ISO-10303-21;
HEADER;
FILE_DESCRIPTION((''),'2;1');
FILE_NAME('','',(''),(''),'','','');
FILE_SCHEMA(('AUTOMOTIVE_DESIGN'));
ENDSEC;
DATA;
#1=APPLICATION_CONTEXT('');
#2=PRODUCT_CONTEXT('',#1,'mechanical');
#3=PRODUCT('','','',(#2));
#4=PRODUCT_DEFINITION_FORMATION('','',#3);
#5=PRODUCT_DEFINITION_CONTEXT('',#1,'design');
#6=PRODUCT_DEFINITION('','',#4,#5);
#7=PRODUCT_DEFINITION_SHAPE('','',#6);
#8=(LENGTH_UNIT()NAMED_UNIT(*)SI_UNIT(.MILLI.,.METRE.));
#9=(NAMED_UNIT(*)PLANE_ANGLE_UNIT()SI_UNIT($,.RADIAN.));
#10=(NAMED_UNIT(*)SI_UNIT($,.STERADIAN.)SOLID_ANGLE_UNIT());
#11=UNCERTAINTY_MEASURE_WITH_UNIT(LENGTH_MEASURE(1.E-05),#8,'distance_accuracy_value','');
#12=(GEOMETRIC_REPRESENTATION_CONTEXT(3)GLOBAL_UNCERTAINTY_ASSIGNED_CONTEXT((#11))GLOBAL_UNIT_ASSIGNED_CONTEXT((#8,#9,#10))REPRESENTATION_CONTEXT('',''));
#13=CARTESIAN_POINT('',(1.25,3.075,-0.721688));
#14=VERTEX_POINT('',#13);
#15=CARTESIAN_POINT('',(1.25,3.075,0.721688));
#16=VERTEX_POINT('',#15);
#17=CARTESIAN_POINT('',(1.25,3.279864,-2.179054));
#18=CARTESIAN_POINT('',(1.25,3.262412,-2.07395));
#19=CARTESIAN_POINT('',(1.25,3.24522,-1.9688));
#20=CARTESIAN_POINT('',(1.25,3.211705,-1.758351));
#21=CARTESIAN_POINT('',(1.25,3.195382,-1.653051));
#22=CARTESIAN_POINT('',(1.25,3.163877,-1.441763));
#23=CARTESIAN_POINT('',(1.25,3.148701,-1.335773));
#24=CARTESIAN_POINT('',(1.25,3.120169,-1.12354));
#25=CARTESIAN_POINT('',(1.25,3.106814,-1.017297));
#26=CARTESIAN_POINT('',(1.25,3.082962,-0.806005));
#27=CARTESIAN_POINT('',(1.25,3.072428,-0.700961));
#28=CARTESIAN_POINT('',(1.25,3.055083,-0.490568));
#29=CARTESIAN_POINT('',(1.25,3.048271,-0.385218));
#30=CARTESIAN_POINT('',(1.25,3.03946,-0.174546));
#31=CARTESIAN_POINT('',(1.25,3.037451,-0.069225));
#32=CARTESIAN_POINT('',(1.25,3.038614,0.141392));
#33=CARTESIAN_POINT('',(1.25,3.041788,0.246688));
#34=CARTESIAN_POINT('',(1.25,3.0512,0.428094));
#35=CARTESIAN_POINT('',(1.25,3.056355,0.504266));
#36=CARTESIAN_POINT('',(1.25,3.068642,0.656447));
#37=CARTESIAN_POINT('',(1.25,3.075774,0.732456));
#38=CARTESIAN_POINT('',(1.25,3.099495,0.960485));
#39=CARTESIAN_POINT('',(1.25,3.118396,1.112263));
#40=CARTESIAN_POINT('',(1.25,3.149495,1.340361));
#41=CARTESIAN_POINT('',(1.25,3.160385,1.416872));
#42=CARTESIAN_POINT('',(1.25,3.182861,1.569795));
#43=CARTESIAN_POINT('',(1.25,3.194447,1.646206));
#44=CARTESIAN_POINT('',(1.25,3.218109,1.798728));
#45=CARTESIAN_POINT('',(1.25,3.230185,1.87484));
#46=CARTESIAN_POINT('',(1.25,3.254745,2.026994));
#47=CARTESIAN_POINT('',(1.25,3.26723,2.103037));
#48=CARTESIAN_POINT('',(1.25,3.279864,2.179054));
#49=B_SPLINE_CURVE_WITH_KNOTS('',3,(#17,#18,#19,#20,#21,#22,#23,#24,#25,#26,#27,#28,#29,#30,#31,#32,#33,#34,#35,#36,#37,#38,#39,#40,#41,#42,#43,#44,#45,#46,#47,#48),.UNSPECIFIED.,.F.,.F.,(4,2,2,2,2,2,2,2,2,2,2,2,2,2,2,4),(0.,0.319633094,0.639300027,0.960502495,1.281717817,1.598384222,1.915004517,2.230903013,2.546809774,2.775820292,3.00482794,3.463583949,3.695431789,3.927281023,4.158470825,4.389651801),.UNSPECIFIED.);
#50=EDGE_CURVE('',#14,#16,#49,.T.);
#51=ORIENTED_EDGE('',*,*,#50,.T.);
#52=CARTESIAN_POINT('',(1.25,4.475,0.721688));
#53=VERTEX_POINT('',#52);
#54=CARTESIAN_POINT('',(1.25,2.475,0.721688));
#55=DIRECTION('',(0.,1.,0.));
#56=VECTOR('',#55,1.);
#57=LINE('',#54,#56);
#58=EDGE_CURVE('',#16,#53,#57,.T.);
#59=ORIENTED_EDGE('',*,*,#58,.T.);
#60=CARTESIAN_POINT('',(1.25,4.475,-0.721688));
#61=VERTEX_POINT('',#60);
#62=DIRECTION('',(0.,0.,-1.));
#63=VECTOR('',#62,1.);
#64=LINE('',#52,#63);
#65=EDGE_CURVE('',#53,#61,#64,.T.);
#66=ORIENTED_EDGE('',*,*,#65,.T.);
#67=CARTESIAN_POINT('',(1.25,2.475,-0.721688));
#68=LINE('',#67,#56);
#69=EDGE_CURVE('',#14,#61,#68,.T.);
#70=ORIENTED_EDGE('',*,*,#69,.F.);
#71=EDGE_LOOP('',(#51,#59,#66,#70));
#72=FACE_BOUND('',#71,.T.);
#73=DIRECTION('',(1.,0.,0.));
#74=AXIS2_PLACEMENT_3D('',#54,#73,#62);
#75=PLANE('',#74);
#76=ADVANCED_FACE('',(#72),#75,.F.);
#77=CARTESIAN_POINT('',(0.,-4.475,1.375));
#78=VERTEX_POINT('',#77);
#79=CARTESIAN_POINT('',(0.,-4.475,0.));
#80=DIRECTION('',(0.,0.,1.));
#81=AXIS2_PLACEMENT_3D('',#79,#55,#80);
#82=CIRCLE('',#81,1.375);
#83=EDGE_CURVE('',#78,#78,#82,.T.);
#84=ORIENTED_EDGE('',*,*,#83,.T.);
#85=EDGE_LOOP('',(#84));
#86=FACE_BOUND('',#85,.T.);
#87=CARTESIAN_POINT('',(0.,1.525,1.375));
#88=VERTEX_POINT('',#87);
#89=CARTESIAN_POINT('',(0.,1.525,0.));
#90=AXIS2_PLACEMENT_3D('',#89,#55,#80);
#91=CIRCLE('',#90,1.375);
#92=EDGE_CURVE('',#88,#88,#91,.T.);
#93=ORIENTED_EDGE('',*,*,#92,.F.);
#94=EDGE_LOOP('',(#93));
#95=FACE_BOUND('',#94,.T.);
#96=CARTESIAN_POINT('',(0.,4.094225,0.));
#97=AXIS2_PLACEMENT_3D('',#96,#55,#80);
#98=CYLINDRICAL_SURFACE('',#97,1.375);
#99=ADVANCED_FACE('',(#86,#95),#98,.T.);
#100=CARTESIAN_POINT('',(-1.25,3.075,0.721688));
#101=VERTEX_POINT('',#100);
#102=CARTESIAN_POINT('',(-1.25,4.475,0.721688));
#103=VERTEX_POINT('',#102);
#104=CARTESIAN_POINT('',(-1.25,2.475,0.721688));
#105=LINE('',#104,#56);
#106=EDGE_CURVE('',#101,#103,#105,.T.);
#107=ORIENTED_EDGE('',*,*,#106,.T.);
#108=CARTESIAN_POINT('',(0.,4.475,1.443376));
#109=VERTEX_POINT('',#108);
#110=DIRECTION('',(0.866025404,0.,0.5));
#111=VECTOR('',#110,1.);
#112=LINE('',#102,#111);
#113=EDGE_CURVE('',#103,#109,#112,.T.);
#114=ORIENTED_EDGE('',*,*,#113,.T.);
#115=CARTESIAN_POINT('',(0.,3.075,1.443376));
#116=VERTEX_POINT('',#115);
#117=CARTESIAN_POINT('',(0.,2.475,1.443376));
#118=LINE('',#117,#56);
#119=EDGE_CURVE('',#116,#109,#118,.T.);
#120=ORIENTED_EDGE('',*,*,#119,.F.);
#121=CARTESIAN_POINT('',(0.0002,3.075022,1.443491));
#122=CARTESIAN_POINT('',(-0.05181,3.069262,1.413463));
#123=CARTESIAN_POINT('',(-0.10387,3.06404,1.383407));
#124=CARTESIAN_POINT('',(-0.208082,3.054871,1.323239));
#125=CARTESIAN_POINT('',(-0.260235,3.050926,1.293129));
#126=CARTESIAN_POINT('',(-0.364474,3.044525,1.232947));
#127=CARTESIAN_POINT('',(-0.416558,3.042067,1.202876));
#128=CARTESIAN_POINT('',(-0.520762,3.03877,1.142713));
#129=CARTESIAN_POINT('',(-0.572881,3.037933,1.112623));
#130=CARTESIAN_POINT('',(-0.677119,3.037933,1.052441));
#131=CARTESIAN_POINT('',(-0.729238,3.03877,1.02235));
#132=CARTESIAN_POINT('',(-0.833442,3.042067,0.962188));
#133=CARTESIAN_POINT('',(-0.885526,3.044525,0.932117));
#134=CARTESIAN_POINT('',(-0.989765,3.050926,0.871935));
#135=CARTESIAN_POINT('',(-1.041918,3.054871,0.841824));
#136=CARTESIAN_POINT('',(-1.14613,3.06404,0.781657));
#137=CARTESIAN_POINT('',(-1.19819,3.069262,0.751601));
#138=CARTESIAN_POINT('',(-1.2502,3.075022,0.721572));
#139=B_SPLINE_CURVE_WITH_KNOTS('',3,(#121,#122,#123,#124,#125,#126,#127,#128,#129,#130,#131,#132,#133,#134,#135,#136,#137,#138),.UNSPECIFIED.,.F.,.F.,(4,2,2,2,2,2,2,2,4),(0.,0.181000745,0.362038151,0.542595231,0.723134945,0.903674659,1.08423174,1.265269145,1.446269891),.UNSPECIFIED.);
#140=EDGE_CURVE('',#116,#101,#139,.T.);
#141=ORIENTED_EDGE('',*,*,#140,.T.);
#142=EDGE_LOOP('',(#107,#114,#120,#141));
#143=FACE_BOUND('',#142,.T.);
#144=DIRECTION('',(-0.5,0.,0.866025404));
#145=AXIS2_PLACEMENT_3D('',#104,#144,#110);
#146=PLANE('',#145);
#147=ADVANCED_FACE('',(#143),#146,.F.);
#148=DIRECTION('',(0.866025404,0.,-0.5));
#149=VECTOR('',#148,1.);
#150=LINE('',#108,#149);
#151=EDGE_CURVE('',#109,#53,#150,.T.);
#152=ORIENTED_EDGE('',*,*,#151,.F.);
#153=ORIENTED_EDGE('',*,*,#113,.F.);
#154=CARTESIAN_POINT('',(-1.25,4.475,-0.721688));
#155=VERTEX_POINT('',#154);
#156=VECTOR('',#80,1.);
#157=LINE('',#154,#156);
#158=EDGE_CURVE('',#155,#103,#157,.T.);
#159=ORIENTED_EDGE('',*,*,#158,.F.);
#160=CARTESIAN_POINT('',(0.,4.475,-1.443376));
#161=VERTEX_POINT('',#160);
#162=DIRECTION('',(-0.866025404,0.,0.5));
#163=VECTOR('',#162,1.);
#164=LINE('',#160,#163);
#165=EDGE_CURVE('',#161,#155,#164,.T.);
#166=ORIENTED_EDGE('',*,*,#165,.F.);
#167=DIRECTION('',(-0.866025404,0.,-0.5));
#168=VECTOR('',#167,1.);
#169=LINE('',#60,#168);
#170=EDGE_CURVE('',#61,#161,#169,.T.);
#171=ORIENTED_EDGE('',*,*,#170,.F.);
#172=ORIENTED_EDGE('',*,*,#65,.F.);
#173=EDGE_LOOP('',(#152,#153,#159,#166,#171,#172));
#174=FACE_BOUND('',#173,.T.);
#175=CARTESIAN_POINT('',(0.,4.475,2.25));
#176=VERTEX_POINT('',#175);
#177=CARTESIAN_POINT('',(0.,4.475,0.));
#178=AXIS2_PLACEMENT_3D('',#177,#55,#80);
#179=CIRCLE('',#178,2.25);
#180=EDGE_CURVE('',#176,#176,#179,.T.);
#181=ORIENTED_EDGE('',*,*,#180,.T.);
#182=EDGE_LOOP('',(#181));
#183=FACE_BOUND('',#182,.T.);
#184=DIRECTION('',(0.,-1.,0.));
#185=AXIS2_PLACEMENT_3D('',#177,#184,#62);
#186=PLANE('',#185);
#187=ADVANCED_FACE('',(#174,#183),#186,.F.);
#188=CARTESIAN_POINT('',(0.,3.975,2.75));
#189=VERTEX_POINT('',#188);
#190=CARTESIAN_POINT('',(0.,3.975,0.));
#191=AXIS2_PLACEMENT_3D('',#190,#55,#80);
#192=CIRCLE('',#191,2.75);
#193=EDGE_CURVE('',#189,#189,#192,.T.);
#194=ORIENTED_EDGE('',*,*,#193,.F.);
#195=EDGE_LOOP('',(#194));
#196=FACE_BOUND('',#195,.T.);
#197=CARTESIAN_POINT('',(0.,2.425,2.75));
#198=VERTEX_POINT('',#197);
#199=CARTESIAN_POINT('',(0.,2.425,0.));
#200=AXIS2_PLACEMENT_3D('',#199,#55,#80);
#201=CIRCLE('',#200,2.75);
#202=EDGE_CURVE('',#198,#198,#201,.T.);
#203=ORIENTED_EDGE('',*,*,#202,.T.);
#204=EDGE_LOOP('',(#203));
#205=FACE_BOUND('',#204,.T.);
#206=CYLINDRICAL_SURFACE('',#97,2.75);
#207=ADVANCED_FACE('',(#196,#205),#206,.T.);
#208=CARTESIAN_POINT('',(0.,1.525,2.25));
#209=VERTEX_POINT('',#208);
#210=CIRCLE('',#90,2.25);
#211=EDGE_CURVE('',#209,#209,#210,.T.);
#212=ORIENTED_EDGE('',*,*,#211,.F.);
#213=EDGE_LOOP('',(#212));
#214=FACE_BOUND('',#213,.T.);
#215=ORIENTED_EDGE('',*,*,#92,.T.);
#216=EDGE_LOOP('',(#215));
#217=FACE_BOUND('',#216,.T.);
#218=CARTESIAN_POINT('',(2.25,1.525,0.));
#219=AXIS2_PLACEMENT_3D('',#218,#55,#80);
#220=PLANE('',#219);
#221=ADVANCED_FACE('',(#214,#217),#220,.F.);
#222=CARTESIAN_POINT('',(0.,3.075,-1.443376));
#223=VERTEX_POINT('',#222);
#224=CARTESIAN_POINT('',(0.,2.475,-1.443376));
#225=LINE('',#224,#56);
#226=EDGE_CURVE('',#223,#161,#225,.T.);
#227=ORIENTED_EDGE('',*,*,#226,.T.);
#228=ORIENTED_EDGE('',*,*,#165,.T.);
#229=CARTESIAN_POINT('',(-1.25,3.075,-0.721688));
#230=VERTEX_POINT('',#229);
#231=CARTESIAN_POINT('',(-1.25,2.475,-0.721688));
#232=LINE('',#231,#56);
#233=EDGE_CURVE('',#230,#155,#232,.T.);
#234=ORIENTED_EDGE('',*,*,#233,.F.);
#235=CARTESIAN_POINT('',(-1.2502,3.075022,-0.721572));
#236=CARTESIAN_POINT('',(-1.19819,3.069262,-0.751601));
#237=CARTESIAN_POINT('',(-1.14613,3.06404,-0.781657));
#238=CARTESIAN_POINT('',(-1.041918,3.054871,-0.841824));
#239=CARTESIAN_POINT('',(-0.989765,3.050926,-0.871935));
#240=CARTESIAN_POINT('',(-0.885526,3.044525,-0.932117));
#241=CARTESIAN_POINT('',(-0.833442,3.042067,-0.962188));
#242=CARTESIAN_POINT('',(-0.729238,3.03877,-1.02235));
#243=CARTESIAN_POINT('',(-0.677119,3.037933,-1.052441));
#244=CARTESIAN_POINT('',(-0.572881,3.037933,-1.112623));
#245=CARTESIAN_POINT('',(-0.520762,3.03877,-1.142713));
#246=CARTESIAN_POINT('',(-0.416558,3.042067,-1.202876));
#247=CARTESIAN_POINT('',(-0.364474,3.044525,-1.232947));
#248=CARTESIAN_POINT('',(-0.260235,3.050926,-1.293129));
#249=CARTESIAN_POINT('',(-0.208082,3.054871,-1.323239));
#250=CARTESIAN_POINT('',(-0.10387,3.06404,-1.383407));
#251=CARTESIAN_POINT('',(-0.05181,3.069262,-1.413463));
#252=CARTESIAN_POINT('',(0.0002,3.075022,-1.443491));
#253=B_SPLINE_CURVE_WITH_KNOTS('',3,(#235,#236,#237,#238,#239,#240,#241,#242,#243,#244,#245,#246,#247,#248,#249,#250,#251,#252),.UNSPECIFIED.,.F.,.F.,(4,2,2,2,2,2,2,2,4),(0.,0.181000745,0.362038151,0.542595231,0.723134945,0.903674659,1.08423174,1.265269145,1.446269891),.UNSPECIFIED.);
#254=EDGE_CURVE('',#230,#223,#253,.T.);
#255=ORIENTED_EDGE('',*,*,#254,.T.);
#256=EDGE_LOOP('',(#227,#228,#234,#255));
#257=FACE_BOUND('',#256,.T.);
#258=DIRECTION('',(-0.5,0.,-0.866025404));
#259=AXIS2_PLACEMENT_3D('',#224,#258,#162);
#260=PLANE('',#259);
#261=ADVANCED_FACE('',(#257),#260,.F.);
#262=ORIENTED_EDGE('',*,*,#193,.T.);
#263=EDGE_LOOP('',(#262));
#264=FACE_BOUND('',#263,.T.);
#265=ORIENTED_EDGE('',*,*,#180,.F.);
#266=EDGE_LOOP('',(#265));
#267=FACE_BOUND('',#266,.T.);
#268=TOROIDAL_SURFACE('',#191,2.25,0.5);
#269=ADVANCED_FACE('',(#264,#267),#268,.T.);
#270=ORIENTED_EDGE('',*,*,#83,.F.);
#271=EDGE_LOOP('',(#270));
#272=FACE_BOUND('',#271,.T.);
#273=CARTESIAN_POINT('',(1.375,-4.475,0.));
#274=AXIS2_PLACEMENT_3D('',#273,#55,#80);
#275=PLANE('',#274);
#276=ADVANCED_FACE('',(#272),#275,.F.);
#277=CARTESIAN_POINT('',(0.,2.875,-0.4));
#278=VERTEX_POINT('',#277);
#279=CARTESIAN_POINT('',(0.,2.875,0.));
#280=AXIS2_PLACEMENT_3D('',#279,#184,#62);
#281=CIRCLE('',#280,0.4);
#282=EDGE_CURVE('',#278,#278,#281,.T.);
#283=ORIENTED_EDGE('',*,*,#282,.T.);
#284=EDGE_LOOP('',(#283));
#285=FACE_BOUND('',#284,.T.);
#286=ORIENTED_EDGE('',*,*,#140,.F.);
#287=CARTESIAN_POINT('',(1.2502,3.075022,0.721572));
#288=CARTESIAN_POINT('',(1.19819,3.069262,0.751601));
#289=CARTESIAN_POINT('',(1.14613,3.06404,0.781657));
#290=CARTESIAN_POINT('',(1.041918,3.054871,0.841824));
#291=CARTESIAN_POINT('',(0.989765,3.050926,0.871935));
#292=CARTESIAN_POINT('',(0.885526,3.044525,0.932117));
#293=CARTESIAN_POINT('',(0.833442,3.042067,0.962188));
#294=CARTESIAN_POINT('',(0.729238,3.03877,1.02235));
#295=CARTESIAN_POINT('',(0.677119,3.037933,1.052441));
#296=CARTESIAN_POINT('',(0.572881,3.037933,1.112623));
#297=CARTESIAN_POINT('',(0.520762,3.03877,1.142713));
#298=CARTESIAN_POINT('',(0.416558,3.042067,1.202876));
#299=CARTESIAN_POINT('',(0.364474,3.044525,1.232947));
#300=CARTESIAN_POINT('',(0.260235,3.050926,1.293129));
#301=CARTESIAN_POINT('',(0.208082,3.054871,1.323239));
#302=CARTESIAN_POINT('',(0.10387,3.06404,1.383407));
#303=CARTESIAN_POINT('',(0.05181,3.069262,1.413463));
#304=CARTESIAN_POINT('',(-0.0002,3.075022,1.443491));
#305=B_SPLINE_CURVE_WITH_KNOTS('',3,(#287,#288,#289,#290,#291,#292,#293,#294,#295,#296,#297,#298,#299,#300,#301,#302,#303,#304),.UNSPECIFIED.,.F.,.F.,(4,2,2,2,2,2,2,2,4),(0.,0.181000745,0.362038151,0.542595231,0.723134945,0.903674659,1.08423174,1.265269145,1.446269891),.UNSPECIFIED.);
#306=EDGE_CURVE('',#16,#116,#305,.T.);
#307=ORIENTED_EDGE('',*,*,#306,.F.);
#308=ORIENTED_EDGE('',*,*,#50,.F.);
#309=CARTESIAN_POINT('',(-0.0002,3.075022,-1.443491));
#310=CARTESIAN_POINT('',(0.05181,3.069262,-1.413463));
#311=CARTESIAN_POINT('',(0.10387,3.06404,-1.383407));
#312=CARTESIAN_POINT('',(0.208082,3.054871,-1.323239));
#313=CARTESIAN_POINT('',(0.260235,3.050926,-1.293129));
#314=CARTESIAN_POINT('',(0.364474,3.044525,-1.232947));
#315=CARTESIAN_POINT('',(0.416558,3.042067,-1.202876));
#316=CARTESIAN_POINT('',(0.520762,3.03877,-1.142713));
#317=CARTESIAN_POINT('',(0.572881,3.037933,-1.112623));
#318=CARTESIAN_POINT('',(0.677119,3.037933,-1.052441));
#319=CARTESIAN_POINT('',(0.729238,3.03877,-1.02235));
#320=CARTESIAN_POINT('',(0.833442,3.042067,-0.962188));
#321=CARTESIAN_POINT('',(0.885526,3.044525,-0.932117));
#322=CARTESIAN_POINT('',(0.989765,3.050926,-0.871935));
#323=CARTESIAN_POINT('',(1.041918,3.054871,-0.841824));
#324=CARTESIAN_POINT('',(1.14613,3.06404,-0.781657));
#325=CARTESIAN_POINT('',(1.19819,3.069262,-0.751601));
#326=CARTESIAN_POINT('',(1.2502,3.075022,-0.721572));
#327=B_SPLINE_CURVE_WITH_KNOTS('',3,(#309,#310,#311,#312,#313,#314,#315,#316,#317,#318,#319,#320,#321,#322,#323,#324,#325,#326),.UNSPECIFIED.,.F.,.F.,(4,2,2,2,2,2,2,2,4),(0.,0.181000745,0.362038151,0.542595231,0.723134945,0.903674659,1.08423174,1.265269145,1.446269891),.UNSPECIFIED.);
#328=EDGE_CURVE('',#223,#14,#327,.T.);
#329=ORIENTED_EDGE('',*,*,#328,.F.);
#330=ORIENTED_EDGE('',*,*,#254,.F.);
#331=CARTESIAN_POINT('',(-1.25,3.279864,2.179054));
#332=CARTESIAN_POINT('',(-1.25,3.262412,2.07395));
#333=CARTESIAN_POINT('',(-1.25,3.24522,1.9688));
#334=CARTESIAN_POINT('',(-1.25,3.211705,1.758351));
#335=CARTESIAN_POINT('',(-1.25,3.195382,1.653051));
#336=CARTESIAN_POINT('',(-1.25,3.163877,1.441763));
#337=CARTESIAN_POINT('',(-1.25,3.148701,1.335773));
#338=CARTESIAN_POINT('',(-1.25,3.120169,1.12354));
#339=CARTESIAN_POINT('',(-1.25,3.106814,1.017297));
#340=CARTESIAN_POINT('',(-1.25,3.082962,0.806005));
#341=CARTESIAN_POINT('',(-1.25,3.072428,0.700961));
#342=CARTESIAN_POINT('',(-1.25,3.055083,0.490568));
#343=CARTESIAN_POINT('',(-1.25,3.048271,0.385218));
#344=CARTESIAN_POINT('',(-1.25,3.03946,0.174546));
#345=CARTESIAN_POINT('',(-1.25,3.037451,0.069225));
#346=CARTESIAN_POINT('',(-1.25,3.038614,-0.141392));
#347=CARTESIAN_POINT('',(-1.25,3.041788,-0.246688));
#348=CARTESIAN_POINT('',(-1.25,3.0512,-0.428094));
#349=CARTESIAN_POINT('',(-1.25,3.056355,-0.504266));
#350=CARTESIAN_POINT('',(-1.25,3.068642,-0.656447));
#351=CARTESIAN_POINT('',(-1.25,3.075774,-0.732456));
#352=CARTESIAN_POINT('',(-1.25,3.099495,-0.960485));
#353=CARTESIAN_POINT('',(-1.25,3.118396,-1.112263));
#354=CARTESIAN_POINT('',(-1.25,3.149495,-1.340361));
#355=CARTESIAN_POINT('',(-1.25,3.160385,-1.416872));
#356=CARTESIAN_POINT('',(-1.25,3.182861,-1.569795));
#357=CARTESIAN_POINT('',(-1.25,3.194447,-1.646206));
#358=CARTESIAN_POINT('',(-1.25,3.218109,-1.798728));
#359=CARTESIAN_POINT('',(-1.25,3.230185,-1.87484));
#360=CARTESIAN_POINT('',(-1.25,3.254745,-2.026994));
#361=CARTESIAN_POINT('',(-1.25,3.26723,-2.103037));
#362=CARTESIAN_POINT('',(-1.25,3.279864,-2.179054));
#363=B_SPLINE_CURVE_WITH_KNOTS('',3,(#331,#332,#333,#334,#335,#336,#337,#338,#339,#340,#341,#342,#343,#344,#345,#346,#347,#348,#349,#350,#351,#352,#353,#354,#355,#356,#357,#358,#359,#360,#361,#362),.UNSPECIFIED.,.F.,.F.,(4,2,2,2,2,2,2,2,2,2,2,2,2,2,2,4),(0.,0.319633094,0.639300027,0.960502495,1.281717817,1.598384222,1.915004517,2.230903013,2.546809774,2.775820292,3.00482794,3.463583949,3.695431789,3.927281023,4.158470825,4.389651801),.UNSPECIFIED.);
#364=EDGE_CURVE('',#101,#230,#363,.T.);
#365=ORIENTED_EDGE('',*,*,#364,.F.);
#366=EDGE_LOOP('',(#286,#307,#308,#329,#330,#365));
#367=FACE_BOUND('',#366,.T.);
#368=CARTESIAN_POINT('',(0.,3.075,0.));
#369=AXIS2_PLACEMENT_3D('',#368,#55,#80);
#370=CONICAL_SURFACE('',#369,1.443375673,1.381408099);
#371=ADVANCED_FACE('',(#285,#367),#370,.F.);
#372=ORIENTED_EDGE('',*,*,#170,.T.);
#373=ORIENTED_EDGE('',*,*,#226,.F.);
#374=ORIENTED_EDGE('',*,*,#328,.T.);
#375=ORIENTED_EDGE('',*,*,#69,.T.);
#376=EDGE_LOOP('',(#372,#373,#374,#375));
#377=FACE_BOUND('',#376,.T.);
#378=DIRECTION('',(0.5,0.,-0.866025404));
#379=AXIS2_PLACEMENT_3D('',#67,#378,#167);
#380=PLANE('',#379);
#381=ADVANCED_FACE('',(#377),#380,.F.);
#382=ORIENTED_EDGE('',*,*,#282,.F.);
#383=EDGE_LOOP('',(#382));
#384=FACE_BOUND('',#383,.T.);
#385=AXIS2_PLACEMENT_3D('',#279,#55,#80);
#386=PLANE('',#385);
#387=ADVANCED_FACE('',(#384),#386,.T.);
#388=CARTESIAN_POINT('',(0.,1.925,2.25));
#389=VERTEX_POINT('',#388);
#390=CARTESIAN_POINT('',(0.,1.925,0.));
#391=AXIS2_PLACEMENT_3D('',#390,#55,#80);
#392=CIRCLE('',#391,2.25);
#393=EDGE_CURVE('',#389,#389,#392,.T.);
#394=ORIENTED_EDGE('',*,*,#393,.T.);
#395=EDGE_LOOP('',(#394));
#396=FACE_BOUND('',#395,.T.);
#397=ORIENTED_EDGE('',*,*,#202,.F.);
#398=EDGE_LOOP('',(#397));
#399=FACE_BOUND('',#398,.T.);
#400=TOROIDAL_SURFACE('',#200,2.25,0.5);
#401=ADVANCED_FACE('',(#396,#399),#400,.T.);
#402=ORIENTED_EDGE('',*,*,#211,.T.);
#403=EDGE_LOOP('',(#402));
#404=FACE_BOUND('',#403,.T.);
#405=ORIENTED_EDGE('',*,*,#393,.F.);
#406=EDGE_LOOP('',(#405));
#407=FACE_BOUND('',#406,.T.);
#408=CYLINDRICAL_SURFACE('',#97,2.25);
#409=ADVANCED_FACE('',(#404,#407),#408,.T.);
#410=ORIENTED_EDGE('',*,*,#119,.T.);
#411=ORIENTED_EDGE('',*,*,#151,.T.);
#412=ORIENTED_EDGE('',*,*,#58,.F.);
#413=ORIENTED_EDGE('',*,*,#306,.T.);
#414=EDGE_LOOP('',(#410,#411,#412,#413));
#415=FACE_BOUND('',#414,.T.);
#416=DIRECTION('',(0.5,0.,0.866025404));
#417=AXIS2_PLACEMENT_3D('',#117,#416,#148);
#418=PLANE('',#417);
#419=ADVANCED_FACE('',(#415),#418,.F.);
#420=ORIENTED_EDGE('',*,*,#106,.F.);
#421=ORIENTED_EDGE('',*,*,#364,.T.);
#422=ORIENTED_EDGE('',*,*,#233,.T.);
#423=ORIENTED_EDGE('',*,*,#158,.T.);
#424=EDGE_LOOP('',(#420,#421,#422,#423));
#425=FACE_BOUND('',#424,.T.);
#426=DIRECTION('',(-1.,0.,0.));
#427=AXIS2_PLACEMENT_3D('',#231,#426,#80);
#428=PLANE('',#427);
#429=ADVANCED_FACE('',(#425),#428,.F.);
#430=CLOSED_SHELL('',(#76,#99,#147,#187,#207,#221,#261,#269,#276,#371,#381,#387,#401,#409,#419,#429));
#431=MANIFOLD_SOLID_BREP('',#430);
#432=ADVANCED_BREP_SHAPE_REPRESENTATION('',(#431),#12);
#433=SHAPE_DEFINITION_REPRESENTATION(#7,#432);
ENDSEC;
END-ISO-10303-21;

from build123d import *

# Parameters (mm, degrees)
BOSS_EXTRUDE1_DEPTH = 2


with BuildPart() as part:
    # Sketch1 → Revolve1 (revolve)
    with BuildSketch(Plane.XY):
        with BuildLine():
            Line((0, 4.475), (2.25, 4.475))
            ThreePointArc((2.25, 4.475), (2.603553391, 4.328553391), (2.75, 3.975))
            Line((2.75, 3.975), (2.75, 2.425))
            ThreePointArc((2.75, 2.425), (2.603553391, 2.071446609), (2.25, 1.925))
            Line((2.25, 1.925), (2.25, 1.525))
            Line((2.25, 1.525), (1.375, 1.525))
            Line((1.375, 1.525), (1.375, -4.475))
            Line((1.375, -4.475), (0, -4.475))
            Line((0, -4.475), (0, 4.475))
        make_face()
    revolve(axis=Axis((0, 4.094224924, 0), (0, -1, 0)))


with BuildPart() as body_2:
    # Sketch2 → Boss-Extrude1 (new body)
    with BuildSketch(Plane(origin=(0, 4.475, 0), x_dir=(1, 0, 0), z_dir=(0, 1, 0))):
        Polygon((0, 1.443375673), (-1.25, 0.721687836), (-1.25, -0.721687836), (0, -1.443375673), (1.25, -0.721687836), (1.25, 0.721687836), align=None)
    extrude(amount=-BOSS_EXTRUDE1_DEPTH)

    # Sketch3 → Cut-Revolve1 (revolve, cut)
    with BuildSketch(Plane(origin=(0, 0, 0), x_dir=(0, 0, -1), z_dir=(1, 0, 0))):
        Polygon((0, 2.875), (0.4, 2.875), (1.443375673, 3.075), (1.443375673, 2.475), (0, 2.475), align=None)
    revolve(axis=Axis((0, 2.475, 0), (0, 1, 0)), mode=Mode.SUBTRACT)


with BuildPart() as part_1:
    add(part.part)

    # Combine1: cut body 2
    add(body_2.part, mode=Mode.SUBTRACT)


solid = part_1.part
